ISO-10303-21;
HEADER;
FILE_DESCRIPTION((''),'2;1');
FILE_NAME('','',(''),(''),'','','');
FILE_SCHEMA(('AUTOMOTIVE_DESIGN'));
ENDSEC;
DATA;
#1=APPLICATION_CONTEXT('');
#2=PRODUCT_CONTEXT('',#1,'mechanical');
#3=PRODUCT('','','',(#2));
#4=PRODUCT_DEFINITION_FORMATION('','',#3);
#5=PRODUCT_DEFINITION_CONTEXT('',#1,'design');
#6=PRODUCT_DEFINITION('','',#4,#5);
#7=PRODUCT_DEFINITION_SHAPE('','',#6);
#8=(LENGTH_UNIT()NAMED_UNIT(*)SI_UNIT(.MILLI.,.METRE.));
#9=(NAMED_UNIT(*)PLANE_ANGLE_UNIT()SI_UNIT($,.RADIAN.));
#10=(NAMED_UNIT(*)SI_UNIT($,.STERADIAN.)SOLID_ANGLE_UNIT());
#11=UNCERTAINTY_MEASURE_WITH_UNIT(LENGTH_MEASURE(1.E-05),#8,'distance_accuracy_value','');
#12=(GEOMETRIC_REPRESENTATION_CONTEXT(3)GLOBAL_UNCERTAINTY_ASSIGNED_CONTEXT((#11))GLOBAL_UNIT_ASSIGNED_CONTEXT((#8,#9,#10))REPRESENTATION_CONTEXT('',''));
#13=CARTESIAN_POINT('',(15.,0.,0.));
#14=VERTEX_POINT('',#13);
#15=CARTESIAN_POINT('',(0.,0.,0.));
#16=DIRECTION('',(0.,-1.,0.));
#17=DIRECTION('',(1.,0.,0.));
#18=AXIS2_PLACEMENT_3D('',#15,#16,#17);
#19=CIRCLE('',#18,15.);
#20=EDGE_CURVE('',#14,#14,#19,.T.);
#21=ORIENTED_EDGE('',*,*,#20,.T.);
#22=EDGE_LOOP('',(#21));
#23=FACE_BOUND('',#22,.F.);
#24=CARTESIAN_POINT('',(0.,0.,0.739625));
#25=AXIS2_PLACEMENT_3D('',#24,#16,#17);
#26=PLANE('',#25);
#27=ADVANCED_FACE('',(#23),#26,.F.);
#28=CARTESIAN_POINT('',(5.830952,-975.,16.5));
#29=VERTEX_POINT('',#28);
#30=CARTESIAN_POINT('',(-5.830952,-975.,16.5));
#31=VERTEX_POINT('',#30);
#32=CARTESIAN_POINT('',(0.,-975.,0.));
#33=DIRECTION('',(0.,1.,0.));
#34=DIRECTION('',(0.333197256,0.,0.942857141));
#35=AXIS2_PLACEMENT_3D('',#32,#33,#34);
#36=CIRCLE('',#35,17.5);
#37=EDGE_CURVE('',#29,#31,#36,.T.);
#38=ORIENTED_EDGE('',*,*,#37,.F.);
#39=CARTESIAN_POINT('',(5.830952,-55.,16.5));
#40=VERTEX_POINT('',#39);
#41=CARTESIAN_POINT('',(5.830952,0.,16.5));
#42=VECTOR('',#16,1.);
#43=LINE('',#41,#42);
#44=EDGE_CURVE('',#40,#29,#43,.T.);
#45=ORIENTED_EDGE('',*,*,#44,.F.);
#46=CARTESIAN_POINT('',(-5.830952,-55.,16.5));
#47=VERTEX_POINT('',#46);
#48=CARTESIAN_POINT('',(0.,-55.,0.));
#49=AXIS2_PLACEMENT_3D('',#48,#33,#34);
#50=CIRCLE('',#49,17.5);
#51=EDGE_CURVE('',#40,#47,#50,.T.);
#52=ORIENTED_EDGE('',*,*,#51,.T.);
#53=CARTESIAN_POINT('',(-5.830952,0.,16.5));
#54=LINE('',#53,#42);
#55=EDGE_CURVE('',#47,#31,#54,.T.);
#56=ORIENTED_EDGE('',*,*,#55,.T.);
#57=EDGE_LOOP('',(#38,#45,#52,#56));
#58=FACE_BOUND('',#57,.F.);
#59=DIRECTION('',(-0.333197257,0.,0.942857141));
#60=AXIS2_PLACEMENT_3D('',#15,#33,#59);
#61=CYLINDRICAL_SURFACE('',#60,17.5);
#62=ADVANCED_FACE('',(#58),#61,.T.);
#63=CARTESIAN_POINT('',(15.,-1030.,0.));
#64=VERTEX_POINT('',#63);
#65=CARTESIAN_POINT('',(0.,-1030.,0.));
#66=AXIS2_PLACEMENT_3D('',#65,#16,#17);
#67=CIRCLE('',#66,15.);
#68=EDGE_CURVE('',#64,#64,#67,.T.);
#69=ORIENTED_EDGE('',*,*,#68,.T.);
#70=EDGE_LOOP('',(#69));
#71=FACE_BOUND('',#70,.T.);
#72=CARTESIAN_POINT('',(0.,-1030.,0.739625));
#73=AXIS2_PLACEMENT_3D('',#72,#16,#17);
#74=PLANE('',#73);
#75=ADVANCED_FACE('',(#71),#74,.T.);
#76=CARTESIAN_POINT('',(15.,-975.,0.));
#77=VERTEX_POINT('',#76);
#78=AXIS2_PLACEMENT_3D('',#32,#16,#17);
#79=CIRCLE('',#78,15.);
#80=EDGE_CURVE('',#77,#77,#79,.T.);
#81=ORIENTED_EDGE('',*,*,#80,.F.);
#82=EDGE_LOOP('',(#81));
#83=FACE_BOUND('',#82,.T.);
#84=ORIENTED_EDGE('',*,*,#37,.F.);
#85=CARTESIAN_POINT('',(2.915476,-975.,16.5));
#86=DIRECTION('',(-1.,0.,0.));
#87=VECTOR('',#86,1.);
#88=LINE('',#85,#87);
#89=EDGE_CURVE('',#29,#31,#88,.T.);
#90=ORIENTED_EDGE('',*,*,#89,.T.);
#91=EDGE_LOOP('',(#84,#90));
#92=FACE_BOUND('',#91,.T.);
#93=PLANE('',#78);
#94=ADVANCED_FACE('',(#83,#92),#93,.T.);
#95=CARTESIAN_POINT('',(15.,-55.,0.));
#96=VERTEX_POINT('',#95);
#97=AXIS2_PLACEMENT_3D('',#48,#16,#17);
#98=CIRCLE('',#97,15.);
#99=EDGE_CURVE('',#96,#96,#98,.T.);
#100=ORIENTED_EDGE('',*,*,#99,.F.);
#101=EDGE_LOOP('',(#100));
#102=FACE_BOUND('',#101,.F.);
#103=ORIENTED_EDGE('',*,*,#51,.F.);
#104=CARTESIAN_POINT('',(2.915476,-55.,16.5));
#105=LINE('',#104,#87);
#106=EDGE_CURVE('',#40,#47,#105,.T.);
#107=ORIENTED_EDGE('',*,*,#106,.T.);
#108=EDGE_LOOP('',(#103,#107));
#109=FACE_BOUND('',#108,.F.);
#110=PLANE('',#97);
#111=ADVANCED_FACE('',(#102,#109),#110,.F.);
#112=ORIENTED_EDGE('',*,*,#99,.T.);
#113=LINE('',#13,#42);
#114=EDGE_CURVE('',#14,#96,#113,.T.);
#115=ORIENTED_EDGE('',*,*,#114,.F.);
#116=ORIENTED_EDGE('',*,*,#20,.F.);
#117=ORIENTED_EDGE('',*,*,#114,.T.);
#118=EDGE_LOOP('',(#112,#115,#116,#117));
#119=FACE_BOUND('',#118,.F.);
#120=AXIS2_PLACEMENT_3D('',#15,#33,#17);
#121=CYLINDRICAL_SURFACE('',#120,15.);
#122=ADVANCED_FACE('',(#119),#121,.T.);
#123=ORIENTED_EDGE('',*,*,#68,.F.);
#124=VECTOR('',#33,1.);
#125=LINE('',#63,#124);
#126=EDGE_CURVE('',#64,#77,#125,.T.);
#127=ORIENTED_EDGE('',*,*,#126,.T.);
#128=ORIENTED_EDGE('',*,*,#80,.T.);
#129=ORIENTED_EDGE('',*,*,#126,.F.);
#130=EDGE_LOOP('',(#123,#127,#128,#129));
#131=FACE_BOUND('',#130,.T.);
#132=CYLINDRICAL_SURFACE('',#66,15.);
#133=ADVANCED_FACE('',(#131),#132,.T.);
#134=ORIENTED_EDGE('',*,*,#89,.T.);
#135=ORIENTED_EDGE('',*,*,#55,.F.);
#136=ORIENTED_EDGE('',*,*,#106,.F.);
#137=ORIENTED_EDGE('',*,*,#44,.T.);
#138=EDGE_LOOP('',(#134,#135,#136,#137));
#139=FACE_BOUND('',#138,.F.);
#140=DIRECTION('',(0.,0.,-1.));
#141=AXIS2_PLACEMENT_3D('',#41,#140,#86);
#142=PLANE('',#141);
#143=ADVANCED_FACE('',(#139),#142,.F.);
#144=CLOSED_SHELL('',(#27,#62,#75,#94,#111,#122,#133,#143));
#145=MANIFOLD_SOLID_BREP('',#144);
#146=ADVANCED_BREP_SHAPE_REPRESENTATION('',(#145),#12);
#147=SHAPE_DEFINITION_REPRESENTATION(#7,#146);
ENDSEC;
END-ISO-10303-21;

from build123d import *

# Parameters (mm, degrees)
F1_DEPTH = 1030
F2_R     = 17.5
F2_R_2   = 15
F3_DEPTH = 55
F4_R     = 17.5
F4_R_2   = 15
F5_DEPTH = 55


with BuildPart() as f1:
    # F0 (on Front) → F1 (new body)
    with BuildSketch(Plane.XZ):
        with BuildLine():
            Line((5.830952, 16.5), (-5.830952, 16.5))
            ThreePointArc((-5.830952, 16.5), (0, -17.5), (5.830952, 16.5))
        make_face()
    extrude(amount=F1_DEPTH)

    # F2 (on Front) → F3 (cut)
    with BuildSketch(Plane.XZ):
        Circle(F2_R)
        Circle(F2_R_2, mode=Mode.SUBTRACT)
    extrude(amount=F3_DEPTH, mode=Mode.SUBTRACT)

    # F4 (on face) → F5 (cut)
    with BuildSketch(Plane.XZ.offset(1030)):
        Circle(F4_R)
        Circle(F4_R_2, mode=Mode.SUBTRACT)
    extrude(amount=-F5_DEPTH, mode=Mode.SUBTRACT)


solid = f1.part
